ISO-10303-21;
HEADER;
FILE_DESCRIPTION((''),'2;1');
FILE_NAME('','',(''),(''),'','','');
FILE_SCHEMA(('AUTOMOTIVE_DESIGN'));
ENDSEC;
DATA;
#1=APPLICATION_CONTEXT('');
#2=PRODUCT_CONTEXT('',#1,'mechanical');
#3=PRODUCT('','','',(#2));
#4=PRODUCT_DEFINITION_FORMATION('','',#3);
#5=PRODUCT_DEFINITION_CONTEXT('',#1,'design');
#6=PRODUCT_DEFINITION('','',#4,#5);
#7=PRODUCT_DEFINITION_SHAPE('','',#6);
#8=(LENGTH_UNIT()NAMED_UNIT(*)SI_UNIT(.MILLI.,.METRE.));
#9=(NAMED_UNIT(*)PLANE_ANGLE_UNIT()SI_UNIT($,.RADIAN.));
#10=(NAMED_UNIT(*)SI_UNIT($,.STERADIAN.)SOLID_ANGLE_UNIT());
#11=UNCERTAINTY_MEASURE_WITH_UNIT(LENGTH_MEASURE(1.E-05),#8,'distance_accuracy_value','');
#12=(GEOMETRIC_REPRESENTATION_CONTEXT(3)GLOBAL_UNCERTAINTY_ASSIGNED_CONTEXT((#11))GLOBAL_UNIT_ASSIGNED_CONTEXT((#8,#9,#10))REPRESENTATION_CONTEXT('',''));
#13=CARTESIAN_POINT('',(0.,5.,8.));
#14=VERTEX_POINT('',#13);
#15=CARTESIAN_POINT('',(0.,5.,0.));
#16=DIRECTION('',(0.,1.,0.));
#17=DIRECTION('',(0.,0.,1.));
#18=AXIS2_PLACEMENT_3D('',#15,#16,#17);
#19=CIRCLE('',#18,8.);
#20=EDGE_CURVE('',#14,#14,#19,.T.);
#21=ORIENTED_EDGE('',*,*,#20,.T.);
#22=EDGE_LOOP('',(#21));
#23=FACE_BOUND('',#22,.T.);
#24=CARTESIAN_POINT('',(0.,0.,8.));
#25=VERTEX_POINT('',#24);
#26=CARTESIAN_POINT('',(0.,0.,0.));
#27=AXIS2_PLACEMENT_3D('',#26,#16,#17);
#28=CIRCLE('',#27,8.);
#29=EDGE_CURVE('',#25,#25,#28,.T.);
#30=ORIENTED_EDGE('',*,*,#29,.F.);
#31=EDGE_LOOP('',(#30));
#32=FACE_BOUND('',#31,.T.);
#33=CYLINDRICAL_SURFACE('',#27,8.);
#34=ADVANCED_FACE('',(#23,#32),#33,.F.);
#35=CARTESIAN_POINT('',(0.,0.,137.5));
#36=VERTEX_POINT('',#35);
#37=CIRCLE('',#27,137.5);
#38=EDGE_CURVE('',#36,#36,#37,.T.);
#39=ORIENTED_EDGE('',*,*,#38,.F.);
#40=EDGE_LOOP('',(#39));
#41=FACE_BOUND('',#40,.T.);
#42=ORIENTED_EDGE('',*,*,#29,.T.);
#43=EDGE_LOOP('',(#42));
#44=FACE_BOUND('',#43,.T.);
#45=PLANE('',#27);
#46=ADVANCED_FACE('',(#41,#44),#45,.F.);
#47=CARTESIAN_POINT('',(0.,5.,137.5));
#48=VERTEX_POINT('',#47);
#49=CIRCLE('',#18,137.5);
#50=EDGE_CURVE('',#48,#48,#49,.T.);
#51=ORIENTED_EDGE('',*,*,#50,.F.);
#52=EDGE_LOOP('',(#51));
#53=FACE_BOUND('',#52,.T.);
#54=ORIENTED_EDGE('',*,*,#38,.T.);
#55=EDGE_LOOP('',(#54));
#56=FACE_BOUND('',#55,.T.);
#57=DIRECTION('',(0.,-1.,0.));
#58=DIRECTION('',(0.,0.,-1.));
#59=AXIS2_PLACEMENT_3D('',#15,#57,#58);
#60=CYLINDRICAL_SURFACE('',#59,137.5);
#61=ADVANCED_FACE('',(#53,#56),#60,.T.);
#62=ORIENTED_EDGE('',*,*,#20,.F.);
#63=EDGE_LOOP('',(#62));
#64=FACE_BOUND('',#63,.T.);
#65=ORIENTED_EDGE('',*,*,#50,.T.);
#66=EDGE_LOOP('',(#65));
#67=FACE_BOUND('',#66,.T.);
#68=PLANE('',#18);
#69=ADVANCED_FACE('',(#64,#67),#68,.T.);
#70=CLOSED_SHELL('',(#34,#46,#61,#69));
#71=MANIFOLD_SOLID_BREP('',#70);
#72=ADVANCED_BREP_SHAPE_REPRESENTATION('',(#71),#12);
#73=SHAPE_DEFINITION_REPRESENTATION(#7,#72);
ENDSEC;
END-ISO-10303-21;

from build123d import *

# Parameters (mm, degrees)
SKETCH1_R           = 137.5
BOSS_EXTRUDE1_DEPTH = 5
SKETCH2_R           = 8
CUT_EXTRUDE1_DEPTH  = 6


with BuildPart() as part:
    # Sketch1 → Boss-Extrude1 (new body)
    with BuildSketch(Plane(origin=(0, 0, 0), x_dir=(1, 0, 0), z_dir=(0, 1, 0))):
        Circle(SKETCH1_R)
    extrude(amount=BOSS_EXTRUDE1_DEPTH)

    # Sketch2 → Cut-Extrude1 (cut, through all)
    with BuildSketch(Plane(origin=(0, 5, 0), x_dir=(1, 0, 0), z_dir=(0, 1, 0))):
        Circle(SKETCH2_R)
    extrude(amount=-CUT_EXTRUDE1_DEPTH, mode=Mode.SUBTRACT)


solid = part.part
